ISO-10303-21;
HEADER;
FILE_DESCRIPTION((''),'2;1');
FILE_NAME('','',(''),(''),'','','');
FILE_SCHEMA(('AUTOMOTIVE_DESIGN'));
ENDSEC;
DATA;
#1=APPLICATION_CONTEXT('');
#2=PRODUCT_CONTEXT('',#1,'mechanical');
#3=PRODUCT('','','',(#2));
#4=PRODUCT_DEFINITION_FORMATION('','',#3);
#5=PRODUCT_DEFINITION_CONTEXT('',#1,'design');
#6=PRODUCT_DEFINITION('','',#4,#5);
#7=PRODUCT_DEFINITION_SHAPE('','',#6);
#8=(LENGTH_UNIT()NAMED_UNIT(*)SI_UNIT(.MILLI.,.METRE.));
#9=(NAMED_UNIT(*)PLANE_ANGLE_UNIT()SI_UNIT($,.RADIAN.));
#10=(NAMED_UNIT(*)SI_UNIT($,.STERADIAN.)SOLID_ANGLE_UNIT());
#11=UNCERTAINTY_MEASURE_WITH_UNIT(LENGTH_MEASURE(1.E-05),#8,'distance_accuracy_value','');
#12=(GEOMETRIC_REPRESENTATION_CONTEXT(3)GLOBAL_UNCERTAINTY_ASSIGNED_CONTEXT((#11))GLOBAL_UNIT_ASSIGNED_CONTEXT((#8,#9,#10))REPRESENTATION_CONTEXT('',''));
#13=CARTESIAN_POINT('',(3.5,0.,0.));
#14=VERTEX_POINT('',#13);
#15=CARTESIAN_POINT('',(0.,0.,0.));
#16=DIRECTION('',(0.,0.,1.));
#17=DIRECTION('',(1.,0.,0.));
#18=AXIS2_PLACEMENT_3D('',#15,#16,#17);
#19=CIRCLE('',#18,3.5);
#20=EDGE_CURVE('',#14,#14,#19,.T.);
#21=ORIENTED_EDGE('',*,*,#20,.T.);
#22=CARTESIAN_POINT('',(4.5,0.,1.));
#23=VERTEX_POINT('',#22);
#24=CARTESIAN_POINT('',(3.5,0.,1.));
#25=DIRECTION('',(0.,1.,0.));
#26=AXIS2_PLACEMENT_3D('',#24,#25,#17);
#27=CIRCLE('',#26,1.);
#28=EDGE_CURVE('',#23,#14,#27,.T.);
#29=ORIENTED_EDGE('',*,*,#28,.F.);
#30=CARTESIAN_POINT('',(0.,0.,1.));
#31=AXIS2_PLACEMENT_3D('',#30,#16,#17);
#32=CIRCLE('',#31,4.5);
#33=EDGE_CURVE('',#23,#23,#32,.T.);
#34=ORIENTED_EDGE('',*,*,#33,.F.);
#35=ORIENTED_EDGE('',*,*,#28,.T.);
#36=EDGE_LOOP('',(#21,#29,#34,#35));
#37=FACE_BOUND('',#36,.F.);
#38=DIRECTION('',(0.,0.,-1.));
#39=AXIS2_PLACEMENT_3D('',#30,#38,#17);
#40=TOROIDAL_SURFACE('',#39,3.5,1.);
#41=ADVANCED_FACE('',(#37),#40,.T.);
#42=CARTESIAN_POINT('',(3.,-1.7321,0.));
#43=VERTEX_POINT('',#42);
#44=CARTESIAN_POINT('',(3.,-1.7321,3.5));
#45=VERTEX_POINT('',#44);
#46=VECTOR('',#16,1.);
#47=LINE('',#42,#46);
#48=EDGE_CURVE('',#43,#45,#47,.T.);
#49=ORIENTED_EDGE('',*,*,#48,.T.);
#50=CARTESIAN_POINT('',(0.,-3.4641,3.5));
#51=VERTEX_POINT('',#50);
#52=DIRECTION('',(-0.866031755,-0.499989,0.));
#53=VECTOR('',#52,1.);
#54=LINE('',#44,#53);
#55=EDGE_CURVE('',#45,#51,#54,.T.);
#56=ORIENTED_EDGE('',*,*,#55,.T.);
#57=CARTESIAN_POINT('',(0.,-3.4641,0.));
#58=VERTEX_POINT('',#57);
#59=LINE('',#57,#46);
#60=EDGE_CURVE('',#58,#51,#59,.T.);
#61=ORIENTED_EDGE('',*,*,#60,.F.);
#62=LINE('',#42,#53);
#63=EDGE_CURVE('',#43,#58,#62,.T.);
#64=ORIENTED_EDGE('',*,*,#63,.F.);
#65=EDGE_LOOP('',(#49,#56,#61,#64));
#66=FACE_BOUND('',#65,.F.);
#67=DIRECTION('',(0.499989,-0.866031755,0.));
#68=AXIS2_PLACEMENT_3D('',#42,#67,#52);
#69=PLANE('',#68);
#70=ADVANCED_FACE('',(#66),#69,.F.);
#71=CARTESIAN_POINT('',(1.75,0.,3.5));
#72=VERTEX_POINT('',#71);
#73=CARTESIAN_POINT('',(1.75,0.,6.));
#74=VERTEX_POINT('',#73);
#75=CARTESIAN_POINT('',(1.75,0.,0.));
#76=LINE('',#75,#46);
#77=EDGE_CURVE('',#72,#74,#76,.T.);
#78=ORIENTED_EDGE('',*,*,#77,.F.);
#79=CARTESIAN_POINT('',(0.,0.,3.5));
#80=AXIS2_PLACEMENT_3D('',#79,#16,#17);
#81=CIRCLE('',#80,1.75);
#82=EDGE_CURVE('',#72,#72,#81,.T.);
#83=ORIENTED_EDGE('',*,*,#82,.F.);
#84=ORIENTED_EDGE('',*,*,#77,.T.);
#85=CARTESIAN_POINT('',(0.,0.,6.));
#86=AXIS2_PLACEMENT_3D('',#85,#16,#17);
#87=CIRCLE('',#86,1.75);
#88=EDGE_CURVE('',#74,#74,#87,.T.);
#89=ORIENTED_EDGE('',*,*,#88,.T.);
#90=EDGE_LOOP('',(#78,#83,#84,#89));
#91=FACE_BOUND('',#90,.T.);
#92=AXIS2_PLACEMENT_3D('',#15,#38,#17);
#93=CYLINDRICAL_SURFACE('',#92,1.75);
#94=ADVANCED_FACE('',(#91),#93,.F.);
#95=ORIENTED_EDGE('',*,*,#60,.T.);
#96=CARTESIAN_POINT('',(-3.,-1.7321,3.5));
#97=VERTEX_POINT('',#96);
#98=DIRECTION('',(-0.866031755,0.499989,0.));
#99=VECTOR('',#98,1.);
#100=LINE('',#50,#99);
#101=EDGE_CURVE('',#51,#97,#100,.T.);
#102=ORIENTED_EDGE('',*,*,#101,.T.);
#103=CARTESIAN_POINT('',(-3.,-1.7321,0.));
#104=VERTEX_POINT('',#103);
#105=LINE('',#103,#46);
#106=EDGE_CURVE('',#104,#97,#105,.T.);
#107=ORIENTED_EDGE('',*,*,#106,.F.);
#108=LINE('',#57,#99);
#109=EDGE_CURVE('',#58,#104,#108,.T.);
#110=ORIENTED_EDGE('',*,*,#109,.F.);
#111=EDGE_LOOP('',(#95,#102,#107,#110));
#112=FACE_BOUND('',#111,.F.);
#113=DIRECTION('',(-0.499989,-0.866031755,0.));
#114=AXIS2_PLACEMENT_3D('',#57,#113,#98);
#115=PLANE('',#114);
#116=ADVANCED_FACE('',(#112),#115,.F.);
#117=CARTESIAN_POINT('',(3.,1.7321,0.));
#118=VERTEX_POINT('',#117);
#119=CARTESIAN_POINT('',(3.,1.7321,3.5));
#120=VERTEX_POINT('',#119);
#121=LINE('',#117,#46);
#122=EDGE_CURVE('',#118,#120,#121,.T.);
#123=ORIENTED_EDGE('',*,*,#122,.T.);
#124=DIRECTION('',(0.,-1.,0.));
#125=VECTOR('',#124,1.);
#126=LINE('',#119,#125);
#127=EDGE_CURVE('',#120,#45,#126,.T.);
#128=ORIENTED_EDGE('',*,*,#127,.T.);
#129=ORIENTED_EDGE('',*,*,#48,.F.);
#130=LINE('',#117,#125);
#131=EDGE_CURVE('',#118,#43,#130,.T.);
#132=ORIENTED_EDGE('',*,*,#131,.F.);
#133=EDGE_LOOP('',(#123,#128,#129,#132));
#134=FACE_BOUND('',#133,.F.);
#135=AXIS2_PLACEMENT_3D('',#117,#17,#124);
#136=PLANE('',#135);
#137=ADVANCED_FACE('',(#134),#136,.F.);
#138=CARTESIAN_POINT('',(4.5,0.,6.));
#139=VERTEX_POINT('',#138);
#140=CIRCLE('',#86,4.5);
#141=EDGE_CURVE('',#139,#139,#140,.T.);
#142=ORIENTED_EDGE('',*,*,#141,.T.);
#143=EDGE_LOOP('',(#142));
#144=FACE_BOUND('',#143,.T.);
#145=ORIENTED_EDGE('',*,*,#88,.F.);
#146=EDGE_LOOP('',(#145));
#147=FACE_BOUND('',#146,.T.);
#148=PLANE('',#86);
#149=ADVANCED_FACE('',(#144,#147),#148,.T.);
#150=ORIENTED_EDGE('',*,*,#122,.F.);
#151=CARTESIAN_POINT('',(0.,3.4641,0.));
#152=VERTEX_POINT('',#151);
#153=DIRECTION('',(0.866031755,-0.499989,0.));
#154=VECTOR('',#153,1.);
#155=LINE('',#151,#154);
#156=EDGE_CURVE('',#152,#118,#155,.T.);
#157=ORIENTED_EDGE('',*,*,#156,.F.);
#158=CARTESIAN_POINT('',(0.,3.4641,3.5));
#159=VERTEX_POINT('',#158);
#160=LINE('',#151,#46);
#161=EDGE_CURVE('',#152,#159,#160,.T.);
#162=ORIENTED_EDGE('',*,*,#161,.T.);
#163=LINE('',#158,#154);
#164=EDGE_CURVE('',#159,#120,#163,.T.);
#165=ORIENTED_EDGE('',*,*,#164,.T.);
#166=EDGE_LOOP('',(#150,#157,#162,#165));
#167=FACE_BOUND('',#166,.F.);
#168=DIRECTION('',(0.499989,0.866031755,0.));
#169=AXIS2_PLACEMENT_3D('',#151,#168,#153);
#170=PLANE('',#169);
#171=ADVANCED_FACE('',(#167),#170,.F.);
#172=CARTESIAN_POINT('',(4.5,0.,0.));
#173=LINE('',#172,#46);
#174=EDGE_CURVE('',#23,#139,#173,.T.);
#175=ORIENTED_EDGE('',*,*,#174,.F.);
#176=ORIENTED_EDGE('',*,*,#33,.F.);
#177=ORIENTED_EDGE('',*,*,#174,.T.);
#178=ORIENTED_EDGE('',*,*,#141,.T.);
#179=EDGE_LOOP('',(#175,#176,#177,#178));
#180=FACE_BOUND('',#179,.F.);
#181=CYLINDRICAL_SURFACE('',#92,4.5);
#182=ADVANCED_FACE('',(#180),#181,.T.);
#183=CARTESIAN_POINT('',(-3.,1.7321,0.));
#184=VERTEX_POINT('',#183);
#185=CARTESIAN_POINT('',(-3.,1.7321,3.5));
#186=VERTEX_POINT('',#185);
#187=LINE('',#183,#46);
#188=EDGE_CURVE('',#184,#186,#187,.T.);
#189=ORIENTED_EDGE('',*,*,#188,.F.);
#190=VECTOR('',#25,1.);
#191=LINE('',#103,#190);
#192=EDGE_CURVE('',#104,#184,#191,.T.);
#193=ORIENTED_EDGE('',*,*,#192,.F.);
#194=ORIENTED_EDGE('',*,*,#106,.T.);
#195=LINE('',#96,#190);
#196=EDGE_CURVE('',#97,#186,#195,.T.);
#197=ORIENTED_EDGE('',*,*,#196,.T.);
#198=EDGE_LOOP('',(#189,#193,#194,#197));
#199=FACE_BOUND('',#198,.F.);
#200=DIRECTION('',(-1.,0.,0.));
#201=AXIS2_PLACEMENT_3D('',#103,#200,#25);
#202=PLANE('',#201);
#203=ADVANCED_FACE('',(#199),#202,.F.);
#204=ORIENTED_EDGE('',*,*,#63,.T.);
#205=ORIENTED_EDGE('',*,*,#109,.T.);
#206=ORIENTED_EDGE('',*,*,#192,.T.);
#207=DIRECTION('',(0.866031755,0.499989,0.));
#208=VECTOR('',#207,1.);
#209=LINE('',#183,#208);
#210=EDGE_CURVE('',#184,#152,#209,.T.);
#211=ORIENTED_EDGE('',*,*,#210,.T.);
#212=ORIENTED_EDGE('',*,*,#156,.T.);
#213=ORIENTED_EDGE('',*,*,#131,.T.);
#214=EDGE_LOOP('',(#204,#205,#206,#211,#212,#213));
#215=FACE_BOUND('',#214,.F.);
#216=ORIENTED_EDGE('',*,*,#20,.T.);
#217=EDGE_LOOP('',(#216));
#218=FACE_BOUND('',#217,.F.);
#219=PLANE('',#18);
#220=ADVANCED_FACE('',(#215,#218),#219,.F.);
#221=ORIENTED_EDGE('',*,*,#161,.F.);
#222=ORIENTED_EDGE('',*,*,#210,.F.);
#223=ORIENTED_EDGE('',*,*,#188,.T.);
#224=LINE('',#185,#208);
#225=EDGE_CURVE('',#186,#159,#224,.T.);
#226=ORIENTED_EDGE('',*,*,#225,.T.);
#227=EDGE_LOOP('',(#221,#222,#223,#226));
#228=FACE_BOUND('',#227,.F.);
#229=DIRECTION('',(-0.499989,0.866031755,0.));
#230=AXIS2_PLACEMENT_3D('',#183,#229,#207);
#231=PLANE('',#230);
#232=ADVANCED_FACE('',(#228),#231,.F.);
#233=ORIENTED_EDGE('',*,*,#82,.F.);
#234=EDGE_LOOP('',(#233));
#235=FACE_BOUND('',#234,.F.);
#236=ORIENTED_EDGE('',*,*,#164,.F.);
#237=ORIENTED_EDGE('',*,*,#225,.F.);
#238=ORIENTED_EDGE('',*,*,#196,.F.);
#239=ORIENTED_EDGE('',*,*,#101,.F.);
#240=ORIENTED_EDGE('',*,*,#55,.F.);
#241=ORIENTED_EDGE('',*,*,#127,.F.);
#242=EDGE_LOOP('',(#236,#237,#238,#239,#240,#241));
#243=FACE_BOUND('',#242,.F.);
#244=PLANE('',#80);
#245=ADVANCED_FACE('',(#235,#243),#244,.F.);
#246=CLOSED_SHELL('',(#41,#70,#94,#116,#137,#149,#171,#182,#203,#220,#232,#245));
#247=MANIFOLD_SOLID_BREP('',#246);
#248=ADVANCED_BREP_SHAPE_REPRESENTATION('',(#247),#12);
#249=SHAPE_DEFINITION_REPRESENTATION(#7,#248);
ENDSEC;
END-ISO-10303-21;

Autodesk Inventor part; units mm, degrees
ref_plane "YZ Plane" through (0, 0, 0) normal (1, 0, 0) x (0, 1, 0)
ref_plane "XZ Plane" through (0, 0, 0) normal (0, 1, 0) x (-1, 0, 0)
ref_plane "XY Plane" through (0, 0, 0) normal (0, 0, 1) x (1, 0, 0)
sketch "Эскиз1" plane through (0, 0, 0) normal (0, 0, 1) x (1, 0, 0)
  circle A0 centre (0, 0) radius 4.5
  circle A1 centre (0, 0) radius 1.75
  line L0 (0, 3.4641) -> (3, 1.7321)
  line L1 (3, 1.7321) -> (3, -1.7321)
  line L2 (3, -1.7321) -> (0, -3.4641)
  line L3 (0, -3.4641) -> (-3, -1.7321)
  line L4 (-3, -1.7321) -> (-3, 1.7321)
  line L5 (-3, 1.7321) -> (0, 3.4641)
  dimension "d0" = 3.5
  dimension "d1" = 9
  dimension "d3" = 6
extrude "Выдавливание1" add sketch "Эскиз1" along normal blind 6 contours A0 | L0 L1 L2 L3 L4 L5
extrude "Выдавливание2" cut sketch "Эскиз1" along normal blind 3.5 contours L0 L1 L2 L3 L4 L5
fillet "Сопряжение1" radius 1 1 edges at (-4.5, 0, 0)
properties part number "Стопор"
